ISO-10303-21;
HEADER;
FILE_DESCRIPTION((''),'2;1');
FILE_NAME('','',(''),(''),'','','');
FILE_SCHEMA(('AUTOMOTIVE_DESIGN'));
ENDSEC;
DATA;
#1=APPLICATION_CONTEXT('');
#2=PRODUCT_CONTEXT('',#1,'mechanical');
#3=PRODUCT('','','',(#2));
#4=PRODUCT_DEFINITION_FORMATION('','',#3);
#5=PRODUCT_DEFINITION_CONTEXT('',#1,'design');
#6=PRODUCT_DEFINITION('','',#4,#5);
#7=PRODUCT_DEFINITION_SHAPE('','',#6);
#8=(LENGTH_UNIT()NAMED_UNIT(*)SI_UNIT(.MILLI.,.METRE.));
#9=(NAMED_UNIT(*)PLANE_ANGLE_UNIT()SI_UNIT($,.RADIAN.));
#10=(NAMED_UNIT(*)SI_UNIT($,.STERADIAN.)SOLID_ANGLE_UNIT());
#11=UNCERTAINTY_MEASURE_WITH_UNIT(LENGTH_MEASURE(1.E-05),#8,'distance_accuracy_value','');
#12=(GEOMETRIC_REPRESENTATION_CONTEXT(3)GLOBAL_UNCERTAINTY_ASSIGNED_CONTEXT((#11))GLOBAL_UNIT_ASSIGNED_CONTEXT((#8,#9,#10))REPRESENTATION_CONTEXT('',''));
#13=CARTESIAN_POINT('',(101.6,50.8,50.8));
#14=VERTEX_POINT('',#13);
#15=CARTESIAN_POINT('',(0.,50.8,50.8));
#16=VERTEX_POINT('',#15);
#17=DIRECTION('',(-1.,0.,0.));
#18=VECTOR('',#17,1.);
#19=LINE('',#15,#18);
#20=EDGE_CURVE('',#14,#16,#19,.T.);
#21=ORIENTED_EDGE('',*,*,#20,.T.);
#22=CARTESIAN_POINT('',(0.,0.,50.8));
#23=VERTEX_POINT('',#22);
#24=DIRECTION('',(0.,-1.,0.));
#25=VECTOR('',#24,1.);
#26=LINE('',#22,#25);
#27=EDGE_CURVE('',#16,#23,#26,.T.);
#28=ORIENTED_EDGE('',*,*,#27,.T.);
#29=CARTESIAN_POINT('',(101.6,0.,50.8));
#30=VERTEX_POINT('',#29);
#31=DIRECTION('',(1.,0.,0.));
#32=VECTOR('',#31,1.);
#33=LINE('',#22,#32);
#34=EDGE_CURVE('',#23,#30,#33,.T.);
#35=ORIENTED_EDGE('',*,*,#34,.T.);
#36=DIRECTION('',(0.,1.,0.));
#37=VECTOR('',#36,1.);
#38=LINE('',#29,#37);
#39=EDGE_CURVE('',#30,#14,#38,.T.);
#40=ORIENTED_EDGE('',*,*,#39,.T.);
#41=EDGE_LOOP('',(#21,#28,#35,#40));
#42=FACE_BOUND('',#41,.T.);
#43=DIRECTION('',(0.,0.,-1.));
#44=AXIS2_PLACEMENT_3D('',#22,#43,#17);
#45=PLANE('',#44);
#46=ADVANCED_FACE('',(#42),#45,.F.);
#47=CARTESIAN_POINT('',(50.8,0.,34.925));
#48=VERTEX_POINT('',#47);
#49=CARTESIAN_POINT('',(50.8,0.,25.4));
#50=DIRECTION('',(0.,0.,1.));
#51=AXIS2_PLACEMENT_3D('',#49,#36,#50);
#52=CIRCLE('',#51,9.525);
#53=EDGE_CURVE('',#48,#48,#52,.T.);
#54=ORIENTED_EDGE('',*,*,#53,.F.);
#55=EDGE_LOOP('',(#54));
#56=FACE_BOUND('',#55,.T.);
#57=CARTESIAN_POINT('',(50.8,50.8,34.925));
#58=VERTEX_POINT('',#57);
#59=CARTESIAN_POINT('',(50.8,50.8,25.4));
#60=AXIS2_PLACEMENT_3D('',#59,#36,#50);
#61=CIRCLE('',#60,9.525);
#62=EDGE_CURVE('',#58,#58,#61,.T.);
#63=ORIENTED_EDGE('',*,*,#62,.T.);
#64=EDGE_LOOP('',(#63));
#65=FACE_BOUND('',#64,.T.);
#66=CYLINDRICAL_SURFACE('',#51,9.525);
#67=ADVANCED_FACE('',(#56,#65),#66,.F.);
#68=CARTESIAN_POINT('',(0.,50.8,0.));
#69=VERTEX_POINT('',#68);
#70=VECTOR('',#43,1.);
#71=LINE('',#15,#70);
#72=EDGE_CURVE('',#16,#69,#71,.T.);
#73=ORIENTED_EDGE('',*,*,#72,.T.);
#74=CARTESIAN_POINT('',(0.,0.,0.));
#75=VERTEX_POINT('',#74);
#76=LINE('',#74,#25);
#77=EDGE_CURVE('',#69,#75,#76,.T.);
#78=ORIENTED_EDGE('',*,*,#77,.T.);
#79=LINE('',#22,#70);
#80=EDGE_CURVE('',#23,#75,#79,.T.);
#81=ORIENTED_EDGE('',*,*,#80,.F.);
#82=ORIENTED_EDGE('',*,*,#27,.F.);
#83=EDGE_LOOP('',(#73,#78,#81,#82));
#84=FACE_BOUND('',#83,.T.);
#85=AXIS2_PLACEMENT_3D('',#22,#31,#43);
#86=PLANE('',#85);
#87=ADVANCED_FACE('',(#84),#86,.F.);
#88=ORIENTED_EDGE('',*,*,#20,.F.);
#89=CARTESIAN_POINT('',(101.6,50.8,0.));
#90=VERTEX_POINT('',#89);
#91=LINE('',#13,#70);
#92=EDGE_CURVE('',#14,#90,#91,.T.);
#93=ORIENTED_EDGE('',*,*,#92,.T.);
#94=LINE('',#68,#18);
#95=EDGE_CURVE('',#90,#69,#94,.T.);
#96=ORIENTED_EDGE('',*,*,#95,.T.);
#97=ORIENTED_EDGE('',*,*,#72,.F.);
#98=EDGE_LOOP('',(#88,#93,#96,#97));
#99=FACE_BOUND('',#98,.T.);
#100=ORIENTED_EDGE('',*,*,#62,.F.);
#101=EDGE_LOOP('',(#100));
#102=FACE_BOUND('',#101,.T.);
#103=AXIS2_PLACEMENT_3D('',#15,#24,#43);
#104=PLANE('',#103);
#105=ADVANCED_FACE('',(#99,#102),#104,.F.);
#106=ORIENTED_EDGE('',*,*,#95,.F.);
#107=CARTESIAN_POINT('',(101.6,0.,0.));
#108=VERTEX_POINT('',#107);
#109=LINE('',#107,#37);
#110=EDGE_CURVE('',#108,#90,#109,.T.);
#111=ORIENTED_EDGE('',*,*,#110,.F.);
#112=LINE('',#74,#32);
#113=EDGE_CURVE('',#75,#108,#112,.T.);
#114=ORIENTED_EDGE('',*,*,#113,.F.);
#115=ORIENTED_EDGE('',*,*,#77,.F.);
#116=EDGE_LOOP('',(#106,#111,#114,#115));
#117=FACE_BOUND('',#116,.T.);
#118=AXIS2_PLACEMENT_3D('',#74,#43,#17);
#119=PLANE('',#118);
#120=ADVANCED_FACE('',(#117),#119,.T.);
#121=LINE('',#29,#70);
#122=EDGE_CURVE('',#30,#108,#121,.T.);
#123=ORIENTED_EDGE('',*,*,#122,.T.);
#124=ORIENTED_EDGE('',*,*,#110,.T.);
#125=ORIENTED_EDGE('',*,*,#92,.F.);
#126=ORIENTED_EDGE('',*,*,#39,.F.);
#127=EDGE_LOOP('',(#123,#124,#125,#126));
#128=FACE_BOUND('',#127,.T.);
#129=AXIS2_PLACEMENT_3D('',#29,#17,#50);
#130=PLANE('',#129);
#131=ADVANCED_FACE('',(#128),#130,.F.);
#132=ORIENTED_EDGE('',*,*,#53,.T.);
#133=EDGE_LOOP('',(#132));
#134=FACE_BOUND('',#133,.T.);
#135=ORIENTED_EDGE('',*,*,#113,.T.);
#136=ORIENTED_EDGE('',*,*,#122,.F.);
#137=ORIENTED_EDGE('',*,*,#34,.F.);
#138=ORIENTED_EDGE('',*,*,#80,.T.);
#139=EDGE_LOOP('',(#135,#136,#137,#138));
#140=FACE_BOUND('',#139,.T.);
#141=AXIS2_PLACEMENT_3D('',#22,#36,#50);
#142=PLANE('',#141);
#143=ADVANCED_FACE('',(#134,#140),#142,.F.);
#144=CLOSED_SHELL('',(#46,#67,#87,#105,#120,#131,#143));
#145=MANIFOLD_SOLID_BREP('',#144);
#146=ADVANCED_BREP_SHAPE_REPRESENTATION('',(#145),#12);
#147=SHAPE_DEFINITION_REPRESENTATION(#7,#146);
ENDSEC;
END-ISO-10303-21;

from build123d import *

# Parameters (mm, degrees)
SKETCH3_W           = 101.6
SKETCH3_H           = 50.8
BOSS_EXTRUDE1_DEPTH = 50.8
SKETCH4_R           = 9.525
CUT_EXTRUDE1_DEPTH  = 51.8


with BuildPart() as part:
    # Sketch3 → Boss-Extrude1 (new body)
    with BuildSketch(Plane.XY):
        with Locations((50.8, 25.4)):
            Rectangle(SKETCH3_W, SKETCH3_H)
    extrude(amount=BOSS_EXTRUDE1_DEPTH)

    # Sketch4 → Cut-Extrude1 (cut, through all)
    with BuildSketch(Plane(origin=(0, 50.8, 0), x_dir=(1, 0, 0), z_dir=(0, 1, 0))):
        with Locations((50.8, -25.4)):
            Circle(SKETCH4_R)
    extrude(amount=-CUT_EXTRUDE1_DEPTH, mode=Mode.SUBTRACT)


solid = part.part
